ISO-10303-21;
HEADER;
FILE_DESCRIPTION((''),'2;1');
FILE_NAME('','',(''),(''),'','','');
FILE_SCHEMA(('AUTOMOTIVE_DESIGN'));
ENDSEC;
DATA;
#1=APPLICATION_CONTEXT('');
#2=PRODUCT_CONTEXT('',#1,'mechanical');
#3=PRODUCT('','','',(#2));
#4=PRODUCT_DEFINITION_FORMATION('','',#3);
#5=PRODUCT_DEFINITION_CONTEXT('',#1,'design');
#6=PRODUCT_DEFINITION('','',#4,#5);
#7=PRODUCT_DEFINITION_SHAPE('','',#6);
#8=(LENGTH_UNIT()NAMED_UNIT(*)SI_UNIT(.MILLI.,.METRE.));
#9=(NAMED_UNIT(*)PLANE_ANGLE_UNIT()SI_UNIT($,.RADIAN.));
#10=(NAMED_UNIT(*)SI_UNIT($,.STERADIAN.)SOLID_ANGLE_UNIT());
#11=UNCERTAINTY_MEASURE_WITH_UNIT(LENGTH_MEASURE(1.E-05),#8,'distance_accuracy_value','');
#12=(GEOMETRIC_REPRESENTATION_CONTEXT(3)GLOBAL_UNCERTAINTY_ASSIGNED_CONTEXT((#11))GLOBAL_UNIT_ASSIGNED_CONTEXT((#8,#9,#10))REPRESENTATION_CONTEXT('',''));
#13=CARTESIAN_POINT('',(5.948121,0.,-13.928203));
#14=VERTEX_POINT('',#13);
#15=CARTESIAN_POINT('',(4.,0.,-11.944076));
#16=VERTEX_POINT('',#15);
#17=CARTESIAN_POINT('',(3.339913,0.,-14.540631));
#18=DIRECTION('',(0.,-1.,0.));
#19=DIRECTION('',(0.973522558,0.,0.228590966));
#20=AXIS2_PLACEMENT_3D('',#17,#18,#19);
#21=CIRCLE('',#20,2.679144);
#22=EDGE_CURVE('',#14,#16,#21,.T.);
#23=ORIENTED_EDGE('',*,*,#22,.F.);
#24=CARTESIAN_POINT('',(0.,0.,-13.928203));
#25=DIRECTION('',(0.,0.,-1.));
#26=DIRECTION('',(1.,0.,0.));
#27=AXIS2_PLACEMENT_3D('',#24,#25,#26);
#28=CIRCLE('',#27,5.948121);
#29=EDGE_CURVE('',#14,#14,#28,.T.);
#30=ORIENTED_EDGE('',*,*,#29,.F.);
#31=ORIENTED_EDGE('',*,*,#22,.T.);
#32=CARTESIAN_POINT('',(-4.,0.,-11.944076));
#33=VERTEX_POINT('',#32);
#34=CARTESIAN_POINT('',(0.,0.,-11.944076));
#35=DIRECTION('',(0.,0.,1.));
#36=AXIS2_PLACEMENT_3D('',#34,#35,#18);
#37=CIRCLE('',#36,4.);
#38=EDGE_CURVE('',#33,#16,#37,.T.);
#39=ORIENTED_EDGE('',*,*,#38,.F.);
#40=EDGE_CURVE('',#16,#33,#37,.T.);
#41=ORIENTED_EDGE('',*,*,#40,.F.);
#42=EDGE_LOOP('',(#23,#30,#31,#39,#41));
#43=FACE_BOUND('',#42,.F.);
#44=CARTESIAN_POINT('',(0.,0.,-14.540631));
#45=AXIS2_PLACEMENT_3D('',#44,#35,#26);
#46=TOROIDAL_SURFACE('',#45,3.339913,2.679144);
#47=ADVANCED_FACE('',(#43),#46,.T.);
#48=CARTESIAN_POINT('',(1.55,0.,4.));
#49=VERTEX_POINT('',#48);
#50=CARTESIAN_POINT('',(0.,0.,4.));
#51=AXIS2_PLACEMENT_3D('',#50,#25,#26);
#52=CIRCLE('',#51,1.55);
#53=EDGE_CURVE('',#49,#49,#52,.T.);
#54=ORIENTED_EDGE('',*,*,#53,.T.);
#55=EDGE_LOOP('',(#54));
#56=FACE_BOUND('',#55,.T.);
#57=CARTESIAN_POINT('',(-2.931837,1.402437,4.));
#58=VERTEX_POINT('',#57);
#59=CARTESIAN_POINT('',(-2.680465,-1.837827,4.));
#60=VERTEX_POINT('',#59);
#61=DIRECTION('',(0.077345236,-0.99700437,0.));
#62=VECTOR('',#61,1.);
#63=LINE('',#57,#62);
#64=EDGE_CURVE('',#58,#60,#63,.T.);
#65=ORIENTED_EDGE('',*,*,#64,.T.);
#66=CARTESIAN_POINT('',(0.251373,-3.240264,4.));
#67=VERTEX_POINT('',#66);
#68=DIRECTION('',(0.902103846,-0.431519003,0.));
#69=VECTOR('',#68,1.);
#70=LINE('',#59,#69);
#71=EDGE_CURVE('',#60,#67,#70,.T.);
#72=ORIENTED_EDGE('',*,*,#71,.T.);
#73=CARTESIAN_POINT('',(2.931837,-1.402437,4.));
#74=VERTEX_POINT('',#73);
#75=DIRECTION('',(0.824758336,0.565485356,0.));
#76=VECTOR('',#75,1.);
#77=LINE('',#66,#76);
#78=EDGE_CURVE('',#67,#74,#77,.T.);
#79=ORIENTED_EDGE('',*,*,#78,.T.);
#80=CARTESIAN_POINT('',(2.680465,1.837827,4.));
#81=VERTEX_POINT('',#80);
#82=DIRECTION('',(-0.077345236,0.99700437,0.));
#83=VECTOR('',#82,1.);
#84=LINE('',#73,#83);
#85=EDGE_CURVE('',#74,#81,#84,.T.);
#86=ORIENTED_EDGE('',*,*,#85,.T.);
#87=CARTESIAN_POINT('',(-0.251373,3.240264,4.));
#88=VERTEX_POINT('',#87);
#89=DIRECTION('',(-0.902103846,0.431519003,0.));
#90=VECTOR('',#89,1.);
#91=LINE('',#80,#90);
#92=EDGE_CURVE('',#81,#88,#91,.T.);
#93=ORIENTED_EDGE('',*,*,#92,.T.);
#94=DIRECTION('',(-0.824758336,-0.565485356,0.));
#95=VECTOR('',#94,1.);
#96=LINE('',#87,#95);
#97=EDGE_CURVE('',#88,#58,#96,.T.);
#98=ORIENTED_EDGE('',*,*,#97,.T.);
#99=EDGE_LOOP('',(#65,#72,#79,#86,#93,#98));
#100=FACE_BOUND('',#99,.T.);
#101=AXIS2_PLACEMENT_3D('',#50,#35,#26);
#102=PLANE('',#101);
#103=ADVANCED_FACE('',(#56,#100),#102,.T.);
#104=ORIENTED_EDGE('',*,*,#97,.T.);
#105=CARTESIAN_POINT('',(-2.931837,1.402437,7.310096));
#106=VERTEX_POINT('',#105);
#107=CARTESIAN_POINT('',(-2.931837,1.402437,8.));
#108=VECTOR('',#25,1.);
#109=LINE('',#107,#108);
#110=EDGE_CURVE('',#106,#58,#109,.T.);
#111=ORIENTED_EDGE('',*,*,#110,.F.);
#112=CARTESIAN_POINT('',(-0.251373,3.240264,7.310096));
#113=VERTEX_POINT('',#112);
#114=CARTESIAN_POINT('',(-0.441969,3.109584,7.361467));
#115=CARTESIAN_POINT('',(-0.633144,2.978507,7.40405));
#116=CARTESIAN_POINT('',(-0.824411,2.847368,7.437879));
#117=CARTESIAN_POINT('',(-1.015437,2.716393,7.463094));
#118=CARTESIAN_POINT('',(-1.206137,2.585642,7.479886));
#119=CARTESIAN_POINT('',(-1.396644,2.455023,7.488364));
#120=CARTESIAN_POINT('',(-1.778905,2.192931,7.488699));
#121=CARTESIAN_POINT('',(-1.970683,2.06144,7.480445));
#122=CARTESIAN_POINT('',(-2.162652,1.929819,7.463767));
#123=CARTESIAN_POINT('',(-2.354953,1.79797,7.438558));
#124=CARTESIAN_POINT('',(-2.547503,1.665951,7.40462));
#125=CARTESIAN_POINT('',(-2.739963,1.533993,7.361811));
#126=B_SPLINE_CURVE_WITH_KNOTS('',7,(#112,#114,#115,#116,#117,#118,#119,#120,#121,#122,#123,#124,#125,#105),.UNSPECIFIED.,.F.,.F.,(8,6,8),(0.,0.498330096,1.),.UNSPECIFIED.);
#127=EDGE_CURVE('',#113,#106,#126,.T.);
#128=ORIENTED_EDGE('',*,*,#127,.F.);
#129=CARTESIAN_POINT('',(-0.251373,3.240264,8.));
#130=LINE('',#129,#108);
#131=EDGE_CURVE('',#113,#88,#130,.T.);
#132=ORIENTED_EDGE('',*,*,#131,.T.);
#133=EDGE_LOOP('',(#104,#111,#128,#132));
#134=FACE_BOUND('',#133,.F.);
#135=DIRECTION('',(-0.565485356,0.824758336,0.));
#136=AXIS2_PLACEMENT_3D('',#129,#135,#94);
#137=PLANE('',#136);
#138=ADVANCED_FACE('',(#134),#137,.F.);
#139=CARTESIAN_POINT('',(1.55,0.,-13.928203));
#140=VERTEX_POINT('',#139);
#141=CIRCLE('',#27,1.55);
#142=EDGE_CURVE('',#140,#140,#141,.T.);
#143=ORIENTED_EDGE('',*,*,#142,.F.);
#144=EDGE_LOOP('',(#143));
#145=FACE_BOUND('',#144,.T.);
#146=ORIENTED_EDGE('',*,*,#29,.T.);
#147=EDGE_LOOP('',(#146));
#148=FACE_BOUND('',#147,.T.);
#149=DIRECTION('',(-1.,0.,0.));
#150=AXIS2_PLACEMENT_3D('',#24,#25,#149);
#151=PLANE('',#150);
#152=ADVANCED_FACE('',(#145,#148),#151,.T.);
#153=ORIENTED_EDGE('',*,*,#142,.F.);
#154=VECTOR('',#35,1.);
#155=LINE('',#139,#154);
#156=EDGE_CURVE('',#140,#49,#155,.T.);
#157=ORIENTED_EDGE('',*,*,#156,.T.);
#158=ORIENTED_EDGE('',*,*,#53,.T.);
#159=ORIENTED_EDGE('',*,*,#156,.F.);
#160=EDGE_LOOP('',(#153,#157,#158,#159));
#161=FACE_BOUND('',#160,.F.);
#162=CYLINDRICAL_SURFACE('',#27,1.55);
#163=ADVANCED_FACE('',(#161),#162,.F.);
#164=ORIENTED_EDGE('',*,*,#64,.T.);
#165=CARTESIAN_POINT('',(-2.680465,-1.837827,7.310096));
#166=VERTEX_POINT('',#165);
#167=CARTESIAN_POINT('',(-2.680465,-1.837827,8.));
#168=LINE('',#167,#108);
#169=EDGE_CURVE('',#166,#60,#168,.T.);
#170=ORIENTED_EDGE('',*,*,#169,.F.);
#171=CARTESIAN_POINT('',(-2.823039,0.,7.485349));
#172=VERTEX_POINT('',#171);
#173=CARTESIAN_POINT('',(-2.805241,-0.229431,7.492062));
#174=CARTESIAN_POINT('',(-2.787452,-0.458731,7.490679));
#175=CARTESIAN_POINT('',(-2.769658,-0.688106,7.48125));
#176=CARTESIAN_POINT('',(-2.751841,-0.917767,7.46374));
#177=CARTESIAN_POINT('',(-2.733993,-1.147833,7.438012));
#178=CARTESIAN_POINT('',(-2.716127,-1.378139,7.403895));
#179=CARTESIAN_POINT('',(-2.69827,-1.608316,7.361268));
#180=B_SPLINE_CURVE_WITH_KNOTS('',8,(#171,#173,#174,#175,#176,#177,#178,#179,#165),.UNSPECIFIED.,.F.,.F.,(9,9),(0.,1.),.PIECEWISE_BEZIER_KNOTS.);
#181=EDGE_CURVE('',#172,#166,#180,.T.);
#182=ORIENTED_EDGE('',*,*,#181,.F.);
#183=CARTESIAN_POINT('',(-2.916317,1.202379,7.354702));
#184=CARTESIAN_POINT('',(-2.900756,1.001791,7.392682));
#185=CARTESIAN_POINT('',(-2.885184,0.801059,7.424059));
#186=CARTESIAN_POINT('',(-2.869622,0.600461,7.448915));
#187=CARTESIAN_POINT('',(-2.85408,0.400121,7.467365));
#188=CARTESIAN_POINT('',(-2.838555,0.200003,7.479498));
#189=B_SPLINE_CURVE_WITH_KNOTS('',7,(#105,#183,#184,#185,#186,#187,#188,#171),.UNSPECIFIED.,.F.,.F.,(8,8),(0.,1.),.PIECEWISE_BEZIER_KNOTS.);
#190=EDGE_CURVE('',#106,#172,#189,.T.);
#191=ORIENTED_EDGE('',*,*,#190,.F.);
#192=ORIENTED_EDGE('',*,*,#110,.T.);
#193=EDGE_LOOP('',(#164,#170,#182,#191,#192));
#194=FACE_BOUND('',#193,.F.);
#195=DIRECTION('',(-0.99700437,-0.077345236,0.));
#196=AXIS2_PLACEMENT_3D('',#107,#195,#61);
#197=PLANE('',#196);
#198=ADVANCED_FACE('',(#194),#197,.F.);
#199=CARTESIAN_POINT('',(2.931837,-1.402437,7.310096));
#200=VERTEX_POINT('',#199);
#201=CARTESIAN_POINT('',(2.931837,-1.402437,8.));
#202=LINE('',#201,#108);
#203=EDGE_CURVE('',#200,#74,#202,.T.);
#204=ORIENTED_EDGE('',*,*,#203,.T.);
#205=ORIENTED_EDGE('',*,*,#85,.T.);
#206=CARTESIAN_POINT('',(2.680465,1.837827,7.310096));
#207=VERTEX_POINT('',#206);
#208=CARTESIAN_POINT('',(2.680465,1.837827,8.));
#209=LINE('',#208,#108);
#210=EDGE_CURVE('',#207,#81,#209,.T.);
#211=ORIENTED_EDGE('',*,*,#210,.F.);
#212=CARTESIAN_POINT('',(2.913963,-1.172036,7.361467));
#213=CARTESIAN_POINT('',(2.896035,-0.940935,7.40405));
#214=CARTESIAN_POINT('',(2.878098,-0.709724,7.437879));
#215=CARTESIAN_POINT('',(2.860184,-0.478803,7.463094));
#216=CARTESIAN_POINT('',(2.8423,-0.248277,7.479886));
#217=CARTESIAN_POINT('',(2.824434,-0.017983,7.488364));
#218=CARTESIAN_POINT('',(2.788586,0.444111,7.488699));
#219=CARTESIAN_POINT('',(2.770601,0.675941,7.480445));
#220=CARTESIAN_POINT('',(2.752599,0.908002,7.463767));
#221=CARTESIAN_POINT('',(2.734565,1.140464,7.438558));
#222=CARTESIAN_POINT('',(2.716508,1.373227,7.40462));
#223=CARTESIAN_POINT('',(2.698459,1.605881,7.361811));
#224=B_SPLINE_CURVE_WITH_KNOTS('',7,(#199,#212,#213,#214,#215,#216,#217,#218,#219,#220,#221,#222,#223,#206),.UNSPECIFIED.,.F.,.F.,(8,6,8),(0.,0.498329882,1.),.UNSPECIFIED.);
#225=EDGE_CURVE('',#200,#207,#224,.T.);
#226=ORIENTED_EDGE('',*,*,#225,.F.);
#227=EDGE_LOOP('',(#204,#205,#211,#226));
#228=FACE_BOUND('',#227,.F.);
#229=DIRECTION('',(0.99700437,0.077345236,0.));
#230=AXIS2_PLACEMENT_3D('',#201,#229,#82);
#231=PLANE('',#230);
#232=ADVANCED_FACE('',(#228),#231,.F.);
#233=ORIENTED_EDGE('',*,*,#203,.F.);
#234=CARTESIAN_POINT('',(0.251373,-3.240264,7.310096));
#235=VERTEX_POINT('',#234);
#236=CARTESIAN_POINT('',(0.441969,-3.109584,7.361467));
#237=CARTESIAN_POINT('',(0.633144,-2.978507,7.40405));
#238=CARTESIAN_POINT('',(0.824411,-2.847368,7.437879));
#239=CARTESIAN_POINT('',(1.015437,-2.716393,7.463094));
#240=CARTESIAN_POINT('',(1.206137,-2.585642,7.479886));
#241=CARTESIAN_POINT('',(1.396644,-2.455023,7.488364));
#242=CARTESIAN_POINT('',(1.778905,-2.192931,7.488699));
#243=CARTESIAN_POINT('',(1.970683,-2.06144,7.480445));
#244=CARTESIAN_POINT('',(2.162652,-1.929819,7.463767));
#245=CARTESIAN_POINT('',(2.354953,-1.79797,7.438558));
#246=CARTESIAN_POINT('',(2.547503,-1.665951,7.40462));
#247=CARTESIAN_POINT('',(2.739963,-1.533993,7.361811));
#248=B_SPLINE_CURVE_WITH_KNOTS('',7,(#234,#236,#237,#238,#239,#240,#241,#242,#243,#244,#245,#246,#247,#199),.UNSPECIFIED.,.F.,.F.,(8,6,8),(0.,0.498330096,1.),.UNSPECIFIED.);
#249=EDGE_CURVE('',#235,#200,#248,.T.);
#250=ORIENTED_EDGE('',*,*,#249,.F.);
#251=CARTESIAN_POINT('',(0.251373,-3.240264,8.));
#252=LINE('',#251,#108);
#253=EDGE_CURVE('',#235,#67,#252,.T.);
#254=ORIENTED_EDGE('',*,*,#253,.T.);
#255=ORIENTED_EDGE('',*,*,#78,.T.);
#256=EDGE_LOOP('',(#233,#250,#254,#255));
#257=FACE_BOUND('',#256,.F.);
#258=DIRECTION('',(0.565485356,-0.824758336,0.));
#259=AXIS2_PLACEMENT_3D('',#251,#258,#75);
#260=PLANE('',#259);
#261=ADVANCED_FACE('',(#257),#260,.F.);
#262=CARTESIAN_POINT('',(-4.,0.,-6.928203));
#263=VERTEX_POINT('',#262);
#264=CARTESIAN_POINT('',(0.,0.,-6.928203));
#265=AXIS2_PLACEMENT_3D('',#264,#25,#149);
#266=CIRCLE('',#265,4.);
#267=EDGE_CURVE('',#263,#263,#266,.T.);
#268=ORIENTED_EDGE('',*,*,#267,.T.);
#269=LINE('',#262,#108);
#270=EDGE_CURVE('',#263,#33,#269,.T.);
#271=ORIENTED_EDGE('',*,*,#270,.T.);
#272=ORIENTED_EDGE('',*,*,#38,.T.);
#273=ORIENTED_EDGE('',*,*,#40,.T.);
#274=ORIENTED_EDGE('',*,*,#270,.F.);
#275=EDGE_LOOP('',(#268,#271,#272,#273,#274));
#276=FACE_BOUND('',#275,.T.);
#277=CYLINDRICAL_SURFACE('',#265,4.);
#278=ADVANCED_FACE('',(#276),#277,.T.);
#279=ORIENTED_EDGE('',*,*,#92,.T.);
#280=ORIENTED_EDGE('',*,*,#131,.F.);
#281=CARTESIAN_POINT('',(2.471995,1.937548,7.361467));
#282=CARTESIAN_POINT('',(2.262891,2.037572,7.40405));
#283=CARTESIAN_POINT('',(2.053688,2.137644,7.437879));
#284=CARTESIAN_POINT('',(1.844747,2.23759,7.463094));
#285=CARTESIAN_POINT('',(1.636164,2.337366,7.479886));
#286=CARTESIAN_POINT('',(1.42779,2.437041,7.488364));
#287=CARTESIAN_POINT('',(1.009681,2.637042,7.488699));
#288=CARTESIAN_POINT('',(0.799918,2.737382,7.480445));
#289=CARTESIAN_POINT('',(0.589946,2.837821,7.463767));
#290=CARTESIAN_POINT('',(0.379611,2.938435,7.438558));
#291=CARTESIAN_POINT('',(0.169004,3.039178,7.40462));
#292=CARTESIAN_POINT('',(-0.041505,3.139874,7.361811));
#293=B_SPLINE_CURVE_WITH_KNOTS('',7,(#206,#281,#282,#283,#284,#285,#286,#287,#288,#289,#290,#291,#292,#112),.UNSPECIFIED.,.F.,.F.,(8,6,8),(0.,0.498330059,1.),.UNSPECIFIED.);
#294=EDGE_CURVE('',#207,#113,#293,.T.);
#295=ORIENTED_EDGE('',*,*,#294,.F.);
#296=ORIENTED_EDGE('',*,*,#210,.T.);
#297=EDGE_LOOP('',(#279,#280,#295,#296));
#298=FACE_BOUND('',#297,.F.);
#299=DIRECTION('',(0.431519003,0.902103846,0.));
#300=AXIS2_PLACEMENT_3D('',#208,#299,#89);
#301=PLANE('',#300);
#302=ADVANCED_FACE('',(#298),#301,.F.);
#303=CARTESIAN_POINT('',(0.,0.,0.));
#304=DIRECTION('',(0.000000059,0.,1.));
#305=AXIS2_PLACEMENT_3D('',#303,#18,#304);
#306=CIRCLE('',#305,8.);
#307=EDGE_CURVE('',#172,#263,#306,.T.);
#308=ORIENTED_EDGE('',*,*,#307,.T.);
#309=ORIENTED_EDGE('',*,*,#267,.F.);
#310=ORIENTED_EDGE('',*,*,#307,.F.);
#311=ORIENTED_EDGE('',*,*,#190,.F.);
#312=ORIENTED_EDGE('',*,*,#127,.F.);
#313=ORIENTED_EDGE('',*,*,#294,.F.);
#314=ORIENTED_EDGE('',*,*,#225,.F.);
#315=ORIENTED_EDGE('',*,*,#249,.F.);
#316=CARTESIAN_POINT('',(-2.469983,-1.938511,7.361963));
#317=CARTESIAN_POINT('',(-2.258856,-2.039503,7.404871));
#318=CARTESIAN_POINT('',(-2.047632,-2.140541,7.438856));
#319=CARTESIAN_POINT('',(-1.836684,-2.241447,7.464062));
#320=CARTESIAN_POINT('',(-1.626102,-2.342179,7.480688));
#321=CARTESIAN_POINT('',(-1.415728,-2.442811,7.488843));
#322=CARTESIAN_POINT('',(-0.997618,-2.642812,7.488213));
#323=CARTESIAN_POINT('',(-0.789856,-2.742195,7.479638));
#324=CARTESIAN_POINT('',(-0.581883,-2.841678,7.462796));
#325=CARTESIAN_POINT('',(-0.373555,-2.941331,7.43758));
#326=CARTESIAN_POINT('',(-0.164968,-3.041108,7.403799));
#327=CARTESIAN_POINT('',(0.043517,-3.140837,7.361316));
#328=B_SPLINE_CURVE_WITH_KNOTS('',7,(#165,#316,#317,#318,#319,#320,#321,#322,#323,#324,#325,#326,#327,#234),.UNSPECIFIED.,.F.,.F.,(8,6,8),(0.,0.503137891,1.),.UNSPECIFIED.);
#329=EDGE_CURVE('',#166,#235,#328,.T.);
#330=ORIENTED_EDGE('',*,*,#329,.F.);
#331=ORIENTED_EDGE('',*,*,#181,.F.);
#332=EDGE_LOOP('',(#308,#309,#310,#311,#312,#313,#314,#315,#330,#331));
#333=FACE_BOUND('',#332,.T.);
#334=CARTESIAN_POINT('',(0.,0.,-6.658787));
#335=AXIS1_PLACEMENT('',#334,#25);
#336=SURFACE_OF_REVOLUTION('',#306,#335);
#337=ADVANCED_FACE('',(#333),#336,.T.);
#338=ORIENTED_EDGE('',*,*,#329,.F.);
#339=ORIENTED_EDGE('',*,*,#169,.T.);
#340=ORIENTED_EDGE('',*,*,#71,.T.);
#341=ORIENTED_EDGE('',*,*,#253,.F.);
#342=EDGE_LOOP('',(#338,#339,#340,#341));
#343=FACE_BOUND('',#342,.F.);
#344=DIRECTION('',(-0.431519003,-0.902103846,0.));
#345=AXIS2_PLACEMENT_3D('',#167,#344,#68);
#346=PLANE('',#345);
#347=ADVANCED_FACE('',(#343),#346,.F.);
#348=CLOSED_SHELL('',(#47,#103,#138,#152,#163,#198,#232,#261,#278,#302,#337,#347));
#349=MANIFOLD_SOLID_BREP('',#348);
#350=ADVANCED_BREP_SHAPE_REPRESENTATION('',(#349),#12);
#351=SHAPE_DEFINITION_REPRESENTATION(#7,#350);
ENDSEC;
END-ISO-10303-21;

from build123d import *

# Parameters (mm, degrees)
F3_R     = 1.55
F4_DEPTH = 21.928203
F7_DEPTH = 4


with BuildPart() as f2:
    # F1 (on Front) → F2 (revolve)
    with BuildSketch(Plane.XZ):
        with BuildLine():
            Line((-4, -6.928203), (-4, -13.928203))
            Line((-4, -13.928203), (0, -13.928203))
            Line((0, -13.928203), (0, 8))
            ThreePointArc((0, 8), (-7.727407, 2.070552), (-4, -6.928203))
        make_face()
    revolve(axis=Axis((0, 0, -6.658787), (0, 0, -1)))

    # F3 (on face) → F4 (cut, through all)
    with BuildSketch(Plane(origin=(0, 0, -13.928203), x_dir=(1, 0, 0), z_dir=(0, 0, -1))):
        Circle(F3_R)
    extrude(amount=-F4_DEPTH, mode=Mode.SUBTRACT)

    # F6 (on offset) → F7 (cut)
    with BuildSketch(Plane.XY.offset(8)):
        Polygon((0.251373, -3.240264), (2.931837, -1.402437), (2.680465, 1.837827), (-0.251373, 3.240264), (-2.931837, 1.402437), (-2.680465, -1.837827), align=None)
    extrude(amount=-F7_DEPTH, mode=Mode.SUBTRACT)

    # F8 (on Front) → F9 (revolve)
    with BuildSketch(Plane.XZ):
        with BuildLine():
            Line((3.934291, -11.928251), (3.948121, -13.928203))
            Line((3.948121, -13.928203), (5.948121, -13.928203))
            ThreePointArc((5.948121, -13.928203), (5.227793, -12.639651), (3.934291, -11.928251))
        make_face()
    revolve(axis=Axis((0, 0, -6.658787), (0, 0, -1)))


solid = f2.part
